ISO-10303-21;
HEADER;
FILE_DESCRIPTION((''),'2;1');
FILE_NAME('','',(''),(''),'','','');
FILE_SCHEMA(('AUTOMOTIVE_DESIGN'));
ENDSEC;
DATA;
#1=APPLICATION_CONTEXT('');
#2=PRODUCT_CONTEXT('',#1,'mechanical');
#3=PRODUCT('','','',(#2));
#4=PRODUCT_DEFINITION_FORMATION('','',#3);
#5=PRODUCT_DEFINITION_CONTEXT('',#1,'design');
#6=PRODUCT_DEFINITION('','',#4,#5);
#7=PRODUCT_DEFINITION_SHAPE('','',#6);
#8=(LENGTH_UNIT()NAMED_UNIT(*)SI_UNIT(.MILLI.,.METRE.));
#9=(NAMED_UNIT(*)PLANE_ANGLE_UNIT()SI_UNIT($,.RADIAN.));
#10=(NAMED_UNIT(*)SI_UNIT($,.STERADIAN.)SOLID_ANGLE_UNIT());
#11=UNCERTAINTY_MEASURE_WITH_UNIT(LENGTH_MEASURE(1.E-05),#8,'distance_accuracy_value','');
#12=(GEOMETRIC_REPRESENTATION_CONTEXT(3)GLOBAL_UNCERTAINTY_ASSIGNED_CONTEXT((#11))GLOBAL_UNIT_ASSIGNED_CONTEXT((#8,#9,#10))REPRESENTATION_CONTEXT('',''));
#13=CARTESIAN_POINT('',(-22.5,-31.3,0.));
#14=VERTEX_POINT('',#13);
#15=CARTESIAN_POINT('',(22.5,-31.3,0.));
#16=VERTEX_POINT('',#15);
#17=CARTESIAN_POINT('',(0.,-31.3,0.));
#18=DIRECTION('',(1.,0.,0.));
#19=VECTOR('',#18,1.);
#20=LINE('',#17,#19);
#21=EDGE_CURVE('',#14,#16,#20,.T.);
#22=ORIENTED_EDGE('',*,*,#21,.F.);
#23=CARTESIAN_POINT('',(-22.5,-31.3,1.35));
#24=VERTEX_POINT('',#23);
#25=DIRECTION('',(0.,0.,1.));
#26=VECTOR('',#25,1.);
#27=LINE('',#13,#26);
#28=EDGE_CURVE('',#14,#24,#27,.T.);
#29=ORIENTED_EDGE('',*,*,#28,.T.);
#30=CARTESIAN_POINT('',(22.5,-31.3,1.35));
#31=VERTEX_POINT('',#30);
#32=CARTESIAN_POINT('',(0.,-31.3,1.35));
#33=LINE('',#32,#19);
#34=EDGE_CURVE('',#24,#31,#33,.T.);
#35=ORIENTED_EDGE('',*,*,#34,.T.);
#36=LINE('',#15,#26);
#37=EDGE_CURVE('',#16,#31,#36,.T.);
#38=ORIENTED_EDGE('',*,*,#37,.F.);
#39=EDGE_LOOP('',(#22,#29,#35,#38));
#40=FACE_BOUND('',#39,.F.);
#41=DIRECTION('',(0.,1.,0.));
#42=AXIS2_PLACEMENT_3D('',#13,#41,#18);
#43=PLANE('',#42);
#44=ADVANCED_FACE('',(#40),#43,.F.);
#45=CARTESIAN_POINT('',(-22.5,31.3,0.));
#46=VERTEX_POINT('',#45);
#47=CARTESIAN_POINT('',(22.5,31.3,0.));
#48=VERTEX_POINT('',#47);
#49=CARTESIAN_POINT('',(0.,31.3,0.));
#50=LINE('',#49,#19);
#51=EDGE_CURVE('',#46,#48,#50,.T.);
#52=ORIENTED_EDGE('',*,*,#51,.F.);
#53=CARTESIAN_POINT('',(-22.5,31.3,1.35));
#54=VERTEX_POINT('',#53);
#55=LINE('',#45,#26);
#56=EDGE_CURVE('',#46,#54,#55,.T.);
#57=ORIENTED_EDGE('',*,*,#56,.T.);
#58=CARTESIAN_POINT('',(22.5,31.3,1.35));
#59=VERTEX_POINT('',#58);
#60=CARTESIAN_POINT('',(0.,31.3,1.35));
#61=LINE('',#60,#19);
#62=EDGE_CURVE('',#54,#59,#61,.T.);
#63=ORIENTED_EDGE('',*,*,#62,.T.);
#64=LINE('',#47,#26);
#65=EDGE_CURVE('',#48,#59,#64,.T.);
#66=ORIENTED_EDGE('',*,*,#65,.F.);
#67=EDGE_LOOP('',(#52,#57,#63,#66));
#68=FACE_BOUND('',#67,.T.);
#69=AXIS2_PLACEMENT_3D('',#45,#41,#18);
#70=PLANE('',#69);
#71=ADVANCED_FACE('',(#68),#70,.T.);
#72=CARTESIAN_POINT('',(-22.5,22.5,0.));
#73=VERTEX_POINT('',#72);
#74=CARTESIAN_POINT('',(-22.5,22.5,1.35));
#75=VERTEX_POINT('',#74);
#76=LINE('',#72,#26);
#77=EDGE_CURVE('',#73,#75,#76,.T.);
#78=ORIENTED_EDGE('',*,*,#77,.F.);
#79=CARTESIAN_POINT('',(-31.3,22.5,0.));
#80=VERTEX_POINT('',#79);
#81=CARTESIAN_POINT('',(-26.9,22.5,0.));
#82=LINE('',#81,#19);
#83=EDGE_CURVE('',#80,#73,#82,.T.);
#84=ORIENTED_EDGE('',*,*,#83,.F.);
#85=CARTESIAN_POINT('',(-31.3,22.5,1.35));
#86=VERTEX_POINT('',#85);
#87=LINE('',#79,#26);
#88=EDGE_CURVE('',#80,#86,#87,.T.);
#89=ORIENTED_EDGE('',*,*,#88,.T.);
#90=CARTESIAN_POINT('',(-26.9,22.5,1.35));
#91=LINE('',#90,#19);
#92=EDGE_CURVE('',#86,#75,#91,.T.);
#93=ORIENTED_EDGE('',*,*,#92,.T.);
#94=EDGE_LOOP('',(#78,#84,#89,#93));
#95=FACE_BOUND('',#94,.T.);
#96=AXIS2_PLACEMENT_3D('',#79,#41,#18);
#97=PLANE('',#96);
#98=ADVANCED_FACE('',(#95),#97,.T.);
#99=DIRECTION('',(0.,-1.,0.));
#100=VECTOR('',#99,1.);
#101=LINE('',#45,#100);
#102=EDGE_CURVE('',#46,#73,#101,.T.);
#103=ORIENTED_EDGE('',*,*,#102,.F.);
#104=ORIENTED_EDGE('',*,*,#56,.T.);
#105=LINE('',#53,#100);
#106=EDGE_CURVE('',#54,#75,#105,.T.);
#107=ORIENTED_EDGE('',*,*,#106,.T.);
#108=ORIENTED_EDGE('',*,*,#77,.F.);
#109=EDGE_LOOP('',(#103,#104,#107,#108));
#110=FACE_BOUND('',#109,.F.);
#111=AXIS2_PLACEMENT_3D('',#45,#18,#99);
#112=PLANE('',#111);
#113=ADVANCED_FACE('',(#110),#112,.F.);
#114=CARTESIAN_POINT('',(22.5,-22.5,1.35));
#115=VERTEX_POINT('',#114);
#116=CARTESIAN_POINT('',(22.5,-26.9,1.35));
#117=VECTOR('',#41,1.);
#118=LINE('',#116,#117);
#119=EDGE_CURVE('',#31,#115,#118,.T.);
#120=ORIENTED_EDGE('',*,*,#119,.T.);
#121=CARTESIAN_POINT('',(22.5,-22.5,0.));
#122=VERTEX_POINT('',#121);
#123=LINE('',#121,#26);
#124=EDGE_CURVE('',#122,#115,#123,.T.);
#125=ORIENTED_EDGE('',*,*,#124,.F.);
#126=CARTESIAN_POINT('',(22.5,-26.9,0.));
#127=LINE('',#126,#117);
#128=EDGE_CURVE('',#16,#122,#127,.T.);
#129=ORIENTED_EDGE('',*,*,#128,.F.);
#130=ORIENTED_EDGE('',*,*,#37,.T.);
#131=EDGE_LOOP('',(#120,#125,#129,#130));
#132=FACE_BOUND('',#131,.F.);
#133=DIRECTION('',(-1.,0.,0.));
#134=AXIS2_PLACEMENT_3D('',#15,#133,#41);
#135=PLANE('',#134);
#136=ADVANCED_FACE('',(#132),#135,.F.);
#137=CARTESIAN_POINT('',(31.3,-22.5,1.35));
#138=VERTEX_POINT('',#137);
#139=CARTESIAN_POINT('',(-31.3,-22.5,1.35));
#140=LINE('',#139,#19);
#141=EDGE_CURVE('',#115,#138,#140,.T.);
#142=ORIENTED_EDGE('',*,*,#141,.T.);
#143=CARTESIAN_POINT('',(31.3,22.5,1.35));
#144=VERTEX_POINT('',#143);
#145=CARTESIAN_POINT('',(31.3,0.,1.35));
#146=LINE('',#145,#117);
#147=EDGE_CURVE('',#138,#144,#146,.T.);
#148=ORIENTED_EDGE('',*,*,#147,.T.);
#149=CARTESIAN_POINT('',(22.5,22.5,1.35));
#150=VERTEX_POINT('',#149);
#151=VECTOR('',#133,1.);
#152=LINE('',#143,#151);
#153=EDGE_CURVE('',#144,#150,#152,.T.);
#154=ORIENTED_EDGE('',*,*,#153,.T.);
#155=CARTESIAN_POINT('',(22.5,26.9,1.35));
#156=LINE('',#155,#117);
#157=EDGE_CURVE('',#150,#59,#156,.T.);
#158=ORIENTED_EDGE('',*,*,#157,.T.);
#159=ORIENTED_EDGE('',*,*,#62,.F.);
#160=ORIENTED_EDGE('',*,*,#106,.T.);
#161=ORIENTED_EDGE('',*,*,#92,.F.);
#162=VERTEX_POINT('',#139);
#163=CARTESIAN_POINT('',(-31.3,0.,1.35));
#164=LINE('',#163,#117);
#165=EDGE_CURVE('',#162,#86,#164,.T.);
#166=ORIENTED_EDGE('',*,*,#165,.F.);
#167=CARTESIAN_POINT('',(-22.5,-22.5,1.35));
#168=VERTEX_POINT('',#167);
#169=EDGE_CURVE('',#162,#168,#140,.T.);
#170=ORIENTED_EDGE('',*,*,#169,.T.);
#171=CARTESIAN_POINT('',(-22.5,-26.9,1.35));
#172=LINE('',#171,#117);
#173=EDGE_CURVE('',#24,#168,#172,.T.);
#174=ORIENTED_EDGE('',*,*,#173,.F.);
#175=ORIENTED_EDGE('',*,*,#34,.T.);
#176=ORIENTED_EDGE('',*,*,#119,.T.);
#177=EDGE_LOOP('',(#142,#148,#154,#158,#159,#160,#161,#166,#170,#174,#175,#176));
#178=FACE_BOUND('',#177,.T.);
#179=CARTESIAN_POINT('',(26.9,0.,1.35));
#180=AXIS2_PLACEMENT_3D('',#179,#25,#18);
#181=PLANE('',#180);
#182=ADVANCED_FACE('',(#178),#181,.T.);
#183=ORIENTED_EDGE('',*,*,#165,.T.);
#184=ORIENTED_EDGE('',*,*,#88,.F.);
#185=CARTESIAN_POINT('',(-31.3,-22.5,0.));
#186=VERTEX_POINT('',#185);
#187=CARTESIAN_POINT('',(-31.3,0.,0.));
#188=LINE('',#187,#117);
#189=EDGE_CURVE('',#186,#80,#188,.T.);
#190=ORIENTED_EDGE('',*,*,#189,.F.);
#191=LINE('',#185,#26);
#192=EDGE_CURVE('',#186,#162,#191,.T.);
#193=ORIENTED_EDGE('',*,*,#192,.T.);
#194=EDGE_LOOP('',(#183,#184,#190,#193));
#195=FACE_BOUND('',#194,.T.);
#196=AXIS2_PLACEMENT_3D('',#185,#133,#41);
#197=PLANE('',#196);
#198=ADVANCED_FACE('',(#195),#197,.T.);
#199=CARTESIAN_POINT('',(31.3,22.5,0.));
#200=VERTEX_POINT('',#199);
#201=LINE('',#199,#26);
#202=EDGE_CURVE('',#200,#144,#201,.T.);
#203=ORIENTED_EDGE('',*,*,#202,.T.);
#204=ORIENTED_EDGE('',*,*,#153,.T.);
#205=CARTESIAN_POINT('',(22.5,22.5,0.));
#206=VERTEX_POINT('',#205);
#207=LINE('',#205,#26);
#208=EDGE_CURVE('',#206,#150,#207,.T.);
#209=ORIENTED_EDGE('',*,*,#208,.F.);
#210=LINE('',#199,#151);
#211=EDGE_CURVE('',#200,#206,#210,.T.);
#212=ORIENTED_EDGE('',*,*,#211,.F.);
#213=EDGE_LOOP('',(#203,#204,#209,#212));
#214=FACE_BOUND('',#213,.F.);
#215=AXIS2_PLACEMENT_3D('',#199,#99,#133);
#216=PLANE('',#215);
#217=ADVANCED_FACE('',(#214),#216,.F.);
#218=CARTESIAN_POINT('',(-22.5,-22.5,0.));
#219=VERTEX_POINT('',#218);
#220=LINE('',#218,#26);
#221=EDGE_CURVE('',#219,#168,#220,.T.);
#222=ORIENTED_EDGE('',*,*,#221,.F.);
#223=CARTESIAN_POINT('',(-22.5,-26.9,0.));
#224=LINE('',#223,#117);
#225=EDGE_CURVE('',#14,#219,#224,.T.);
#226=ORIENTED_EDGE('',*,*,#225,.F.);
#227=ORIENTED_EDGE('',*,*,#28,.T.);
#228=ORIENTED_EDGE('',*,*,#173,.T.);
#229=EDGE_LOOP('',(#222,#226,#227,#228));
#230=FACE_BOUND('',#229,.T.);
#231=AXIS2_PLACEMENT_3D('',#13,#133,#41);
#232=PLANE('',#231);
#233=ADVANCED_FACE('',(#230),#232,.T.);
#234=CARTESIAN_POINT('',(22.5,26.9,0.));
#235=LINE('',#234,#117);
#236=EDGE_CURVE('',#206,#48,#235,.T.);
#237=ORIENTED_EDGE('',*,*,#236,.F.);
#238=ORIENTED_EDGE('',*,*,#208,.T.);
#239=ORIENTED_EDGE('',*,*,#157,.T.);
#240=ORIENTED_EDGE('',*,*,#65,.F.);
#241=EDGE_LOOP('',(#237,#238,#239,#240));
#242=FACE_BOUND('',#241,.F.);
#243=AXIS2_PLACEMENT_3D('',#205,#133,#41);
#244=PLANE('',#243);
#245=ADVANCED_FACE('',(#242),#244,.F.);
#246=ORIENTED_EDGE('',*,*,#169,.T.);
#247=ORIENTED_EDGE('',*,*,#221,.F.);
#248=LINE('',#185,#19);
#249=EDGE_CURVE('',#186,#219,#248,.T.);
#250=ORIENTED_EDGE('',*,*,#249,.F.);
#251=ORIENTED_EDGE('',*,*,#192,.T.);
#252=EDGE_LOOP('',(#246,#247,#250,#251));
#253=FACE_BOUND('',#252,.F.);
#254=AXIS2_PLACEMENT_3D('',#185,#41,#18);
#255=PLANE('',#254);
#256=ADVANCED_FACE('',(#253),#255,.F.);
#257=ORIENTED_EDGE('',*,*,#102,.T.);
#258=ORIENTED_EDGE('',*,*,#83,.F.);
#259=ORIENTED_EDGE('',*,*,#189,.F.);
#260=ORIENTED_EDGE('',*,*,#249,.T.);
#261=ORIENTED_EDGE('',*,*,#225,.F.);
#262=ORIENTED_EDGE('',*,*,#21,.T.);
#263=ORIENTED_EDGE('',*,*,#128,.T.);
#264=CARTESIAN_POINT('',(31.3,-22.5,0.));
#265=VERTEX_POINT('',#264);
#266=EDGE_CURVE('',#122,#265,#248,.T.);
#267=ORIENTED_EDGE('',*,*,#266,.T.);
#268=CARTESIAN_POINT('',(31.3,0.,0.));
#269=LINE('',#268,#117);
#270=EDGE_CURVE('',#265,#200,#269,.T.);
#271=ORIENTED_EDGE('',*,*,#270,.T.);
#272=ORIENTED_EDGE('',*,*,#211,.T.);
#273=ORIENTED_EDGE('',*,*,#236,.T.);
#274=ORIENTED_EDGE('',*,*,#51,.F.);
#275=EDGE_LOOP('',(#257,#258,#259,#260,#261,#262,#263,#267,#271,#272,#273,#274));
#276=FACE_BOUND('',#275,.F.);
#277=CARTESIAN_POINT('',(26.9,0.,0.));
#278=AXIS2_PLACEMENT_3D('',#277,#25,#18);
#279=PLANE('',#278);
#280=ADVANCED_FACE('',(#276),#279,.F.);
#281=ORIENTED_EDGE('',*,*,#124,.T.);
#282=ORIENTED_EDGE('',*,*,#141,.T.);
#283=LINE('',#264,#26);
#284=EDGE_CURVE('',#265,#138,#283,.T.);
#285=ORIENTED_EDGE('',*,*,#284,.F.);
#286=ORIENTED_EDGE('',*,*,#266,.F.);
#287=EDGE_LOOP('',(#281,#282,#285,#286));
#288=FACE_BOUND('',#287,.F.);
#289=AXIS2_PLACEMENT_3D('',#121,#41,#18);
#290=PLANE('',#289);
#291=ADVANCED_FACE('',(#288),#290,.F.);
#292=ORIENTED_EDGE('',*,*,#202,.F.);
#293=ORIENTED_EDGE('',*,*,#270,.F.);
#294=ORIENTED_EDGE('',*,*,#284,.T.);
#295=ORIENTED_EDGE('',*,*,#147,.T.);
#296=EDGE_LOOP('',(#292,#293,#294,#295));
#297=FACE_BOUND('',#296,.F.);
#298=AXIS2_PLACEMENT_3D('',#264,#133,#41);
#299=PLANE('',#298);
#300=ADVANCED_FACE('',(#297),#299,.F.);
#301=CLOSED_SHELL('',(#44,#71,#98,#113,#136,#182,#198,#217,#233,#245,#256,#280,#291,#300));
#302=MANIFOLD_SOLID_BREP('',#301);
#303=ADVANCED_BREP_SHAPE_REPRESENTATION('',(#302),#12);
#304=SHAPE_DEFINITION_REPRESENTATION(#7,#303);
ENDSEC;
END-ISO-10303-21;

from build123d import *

# Parameters (mm, degrees)
F0_W     = 8.8
F0_H     = 45
F0_W_2   = 45
F0_H_2   = 8.8
F1_DEPTH = 1.35


with BuildPart() as f1:
    # F0 (on Top) → F1 (new body)
    with BuildSketch(Plane.XY):
        with Locations((26.9, 0)):
            Rectangle(F0_W, F0_H)
        Rectangle(F0_W_2, F0_H)
        with Locations((0, 26.9)):
            Rectangle(F0_W_2, F0_H_2)
        with Locations((-26.9, 0)):
            Rectangle(F0_W, F0_H)
        with Locations((0, -26.9)):
            Rectangle(F0_W_2, F0_H_2)
    extrude(amount=F1_DEPTH)


solid = f1.part
